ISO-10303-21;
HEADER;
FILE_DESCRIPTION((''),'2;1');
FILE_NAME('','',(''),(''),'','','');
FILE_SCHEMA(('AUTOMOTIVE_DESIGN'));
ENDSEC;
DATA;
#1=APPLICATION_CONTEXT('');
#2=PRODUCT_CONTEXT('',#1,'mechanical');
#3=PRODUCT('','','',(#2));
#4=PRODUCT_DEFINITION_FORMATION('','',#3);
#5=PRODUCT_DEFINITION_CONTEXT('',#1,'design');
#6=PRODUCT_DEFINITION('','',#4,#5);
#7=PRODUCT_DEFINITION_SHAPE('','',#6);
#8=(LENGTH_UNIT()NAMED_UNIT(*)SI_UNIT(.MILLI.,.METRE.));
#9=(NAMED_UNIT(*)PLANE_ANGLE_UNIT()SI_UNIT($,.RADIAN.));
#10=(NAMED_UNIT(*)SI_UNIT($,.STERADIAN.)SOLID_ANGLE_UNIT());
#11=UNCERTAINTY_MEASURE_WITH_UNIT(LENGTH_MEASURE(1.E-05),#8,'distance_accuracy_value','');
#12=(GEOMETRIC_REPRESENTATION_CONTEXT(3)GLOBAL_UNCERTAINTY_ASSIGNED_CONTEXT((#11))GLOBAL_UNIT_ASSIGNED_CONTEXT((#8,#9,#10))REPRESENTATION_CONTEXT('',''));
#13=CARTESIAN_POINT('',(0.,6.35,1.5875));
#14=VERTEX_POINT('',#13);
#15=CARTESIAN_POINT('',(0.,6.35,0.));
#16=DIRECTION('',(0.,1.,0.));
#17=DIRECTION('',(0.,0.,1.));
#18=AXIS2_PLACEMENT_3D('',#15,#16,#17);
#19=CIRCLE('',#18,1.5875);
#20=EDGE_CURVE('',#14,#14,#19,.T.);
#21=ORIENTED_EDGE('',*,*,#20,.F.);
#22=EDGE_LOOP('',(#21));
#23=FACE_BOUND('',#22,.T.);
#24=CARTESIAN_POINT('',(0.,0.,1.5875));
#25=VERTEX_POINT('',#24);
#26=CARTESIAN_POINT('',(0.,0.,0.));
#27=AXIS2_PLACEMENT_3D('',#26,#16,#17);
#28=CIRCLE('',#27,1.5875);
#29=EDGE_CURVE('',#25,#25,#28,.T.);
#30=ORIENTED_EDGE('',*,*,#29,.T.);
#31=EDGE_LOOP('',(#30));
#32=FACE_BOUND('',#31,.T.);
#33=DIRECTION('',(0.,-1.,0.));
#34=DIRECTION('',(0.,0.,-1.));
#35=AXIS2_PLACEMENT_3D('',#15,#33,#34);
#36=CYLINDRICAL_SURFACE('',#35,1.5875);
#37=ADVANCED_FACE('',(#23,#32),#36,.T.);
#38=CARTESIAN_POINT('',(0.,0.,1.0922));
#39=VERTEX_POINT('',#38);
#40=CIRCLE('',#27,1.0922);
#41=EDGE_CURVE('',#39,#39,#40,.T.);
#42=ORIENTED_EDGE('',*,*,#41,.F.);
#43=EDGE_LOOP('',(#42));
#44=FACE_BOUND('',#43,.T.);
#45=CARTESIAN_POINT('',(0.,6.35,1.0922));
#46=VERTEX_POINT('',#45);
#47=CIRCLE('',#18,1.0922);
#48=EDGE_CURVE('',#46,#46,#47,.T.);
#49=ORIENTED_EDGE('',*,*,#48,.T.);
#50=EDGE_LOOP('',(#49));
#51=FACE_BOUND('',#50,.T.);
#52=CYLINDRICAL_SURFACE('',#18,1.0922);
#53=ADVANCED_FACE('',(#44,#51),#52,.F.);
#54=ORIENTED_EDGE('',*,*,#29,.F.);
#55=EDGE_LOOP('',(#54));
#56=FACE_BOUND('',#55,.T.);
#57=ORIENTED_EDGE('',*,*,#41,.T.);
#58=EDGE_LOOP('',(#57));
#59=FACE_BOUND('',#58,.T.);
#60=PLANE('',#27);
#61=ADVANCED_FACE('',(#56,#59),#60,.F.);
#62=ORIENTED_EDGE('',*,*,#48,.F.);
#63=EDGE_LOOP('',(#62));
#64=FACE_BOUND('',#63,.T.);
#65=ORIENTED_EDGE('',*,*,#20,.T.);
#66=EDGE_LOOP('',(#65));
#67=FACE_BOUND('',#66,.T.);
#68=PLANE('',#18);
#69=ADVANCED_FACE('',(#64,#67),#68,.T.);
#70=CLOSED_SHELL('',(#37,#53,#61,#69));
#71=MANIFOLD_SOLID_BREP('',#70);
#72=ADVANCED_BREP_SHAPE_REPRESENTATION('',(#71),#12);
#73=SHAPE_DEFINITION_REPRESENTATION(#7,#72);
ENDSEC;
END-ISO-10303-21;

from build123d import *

# Parameters (mm, degrees)
SKETCH1_R             = 1.5875
BOSS_EXTRUDE1_DEPTH   = 6.35
F_2_56_TAPPED_HOLE1_D = 2.1844


with BuildPart() as part:
    # Sketch1 → Boss-Extrude1 (new body)
    with BuildSketch(Plane(origin=(0, 0, 0), x_dir=(1, 0, 0), z_dir=(0, 1, 0))):
        with Locations(Location((0, 0, 0), (0, 0, 270))):
            Circle(SKETCH1_R)
    extrude(amount=BOSS_EXTRUDE1_DEPTH)

    # #2-56 Tapped Hole1 (through all)
    with Locations(Plane(origin=(0, 6.35, 0), x_dir=(1, 0, 0), z_dir=(0, 1, 0))):
        with Locations((0, 0)):
            Hole(F_2_56_TAPPED_HOLE1_D / 2)


solid = part.part
